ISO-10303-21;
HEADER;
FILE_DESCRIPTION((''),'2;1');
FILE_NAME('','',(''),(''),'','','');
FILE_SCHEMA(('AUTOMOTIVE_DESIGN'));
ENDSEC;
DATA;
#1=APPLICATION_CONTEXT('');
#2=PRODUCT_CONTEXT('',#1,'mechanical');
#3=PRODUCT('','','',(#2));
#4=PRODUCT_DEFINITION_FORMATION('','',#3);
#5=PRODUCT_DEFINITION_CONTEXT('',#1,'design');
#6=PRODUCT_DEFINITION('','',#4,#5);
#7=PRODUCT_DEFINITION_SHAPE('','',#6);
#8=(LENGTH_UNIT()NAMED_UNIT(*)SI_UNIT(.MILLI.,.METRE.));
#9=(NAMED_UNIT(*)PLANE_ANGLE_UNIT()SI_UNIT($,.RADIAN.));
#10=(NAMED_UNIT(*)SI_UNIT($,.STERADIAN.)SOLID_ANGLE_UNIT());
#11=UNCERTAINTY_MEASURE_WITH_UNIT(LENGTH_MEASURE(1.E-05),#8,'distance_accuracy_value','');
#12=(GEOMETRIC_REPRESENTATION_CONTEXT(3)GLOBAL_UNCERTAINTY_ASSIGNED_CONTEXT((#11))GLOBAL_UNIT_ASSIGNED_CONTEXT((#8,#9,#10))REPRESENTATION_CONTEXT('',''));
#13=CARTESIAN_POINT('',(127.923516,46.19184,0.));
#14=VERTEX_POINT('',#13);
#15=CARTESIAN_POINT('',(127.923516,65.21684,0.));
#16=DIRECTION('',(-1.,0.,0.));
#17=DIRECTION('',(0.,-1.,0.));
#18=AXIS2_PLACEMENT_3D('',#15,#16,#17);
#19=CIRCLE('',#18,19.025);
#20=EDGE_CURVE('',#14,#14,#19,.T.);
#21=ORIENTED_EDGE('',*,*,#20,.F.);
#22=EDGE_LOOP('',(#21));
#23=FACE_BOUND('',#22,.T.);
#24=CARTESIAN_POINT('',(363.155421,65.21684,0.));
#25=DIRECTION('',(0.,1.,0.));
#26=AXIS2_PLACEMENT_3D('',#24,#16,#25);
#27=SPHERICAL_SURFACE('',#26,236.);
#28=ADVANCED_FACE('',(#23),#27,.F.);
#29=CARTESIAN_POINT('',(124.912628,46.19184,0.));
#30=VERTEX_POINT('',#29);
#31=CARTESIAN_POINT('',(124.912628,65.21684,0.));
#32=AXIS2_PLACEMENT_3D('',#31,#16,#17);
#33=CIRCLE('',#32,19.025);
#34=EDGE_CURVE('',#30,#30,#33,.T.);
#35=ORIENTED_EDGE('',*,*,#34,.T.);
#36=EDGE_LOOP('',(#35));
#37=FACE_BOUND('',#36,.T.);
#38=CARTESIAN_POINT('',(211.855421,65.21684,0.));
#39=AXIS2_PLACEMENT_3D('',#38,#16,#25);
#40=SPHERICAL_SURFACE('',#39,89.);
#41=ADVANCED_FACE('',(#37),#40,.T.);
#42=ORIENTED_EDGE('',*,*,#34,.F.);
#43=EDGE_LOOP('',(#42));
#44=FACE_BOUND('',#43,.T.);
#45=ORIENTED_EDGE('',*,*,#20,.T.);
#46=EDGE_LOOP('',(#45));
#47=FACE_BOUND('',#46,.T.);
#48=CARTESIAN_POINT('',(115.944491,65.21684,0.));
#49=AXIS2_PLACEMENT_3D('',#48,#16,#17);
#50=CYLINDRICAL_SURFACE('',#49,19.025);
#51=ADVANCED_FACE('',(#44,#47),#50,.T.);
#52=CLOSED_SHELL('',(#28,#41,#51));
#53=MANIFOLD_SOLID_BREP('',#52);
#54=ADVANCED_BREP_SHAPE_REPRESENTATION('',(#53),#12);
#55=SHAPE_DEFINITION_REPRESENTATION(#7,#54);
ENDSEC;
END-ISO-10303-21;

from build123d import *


with BuildPart() as part:
    # 草图1 → 旋转1 (revolve)
    with BuildSketch(Plane.XY):
        with BuildLine():
            Line((124.912627623, 84.241840471), (127.923515795, 84.241840471))
            ThreePointArc((127.923515795, 84.241840471), (127.34752312, 74.737089865), (127.155421316, 65.216840471))
            Line((127.155421316, 65.216840471), (122.855421316, 65.216840471))
            ThreePointArc((122.855421316, 65.216840471), (123.371217531, 74.784791176), (124.912627623, 84.241840471))
        make_face()
    revolve(axis=Axis((115.944491298, 65.216840471, 0), (1, 0, 0)))


solid = part.part
